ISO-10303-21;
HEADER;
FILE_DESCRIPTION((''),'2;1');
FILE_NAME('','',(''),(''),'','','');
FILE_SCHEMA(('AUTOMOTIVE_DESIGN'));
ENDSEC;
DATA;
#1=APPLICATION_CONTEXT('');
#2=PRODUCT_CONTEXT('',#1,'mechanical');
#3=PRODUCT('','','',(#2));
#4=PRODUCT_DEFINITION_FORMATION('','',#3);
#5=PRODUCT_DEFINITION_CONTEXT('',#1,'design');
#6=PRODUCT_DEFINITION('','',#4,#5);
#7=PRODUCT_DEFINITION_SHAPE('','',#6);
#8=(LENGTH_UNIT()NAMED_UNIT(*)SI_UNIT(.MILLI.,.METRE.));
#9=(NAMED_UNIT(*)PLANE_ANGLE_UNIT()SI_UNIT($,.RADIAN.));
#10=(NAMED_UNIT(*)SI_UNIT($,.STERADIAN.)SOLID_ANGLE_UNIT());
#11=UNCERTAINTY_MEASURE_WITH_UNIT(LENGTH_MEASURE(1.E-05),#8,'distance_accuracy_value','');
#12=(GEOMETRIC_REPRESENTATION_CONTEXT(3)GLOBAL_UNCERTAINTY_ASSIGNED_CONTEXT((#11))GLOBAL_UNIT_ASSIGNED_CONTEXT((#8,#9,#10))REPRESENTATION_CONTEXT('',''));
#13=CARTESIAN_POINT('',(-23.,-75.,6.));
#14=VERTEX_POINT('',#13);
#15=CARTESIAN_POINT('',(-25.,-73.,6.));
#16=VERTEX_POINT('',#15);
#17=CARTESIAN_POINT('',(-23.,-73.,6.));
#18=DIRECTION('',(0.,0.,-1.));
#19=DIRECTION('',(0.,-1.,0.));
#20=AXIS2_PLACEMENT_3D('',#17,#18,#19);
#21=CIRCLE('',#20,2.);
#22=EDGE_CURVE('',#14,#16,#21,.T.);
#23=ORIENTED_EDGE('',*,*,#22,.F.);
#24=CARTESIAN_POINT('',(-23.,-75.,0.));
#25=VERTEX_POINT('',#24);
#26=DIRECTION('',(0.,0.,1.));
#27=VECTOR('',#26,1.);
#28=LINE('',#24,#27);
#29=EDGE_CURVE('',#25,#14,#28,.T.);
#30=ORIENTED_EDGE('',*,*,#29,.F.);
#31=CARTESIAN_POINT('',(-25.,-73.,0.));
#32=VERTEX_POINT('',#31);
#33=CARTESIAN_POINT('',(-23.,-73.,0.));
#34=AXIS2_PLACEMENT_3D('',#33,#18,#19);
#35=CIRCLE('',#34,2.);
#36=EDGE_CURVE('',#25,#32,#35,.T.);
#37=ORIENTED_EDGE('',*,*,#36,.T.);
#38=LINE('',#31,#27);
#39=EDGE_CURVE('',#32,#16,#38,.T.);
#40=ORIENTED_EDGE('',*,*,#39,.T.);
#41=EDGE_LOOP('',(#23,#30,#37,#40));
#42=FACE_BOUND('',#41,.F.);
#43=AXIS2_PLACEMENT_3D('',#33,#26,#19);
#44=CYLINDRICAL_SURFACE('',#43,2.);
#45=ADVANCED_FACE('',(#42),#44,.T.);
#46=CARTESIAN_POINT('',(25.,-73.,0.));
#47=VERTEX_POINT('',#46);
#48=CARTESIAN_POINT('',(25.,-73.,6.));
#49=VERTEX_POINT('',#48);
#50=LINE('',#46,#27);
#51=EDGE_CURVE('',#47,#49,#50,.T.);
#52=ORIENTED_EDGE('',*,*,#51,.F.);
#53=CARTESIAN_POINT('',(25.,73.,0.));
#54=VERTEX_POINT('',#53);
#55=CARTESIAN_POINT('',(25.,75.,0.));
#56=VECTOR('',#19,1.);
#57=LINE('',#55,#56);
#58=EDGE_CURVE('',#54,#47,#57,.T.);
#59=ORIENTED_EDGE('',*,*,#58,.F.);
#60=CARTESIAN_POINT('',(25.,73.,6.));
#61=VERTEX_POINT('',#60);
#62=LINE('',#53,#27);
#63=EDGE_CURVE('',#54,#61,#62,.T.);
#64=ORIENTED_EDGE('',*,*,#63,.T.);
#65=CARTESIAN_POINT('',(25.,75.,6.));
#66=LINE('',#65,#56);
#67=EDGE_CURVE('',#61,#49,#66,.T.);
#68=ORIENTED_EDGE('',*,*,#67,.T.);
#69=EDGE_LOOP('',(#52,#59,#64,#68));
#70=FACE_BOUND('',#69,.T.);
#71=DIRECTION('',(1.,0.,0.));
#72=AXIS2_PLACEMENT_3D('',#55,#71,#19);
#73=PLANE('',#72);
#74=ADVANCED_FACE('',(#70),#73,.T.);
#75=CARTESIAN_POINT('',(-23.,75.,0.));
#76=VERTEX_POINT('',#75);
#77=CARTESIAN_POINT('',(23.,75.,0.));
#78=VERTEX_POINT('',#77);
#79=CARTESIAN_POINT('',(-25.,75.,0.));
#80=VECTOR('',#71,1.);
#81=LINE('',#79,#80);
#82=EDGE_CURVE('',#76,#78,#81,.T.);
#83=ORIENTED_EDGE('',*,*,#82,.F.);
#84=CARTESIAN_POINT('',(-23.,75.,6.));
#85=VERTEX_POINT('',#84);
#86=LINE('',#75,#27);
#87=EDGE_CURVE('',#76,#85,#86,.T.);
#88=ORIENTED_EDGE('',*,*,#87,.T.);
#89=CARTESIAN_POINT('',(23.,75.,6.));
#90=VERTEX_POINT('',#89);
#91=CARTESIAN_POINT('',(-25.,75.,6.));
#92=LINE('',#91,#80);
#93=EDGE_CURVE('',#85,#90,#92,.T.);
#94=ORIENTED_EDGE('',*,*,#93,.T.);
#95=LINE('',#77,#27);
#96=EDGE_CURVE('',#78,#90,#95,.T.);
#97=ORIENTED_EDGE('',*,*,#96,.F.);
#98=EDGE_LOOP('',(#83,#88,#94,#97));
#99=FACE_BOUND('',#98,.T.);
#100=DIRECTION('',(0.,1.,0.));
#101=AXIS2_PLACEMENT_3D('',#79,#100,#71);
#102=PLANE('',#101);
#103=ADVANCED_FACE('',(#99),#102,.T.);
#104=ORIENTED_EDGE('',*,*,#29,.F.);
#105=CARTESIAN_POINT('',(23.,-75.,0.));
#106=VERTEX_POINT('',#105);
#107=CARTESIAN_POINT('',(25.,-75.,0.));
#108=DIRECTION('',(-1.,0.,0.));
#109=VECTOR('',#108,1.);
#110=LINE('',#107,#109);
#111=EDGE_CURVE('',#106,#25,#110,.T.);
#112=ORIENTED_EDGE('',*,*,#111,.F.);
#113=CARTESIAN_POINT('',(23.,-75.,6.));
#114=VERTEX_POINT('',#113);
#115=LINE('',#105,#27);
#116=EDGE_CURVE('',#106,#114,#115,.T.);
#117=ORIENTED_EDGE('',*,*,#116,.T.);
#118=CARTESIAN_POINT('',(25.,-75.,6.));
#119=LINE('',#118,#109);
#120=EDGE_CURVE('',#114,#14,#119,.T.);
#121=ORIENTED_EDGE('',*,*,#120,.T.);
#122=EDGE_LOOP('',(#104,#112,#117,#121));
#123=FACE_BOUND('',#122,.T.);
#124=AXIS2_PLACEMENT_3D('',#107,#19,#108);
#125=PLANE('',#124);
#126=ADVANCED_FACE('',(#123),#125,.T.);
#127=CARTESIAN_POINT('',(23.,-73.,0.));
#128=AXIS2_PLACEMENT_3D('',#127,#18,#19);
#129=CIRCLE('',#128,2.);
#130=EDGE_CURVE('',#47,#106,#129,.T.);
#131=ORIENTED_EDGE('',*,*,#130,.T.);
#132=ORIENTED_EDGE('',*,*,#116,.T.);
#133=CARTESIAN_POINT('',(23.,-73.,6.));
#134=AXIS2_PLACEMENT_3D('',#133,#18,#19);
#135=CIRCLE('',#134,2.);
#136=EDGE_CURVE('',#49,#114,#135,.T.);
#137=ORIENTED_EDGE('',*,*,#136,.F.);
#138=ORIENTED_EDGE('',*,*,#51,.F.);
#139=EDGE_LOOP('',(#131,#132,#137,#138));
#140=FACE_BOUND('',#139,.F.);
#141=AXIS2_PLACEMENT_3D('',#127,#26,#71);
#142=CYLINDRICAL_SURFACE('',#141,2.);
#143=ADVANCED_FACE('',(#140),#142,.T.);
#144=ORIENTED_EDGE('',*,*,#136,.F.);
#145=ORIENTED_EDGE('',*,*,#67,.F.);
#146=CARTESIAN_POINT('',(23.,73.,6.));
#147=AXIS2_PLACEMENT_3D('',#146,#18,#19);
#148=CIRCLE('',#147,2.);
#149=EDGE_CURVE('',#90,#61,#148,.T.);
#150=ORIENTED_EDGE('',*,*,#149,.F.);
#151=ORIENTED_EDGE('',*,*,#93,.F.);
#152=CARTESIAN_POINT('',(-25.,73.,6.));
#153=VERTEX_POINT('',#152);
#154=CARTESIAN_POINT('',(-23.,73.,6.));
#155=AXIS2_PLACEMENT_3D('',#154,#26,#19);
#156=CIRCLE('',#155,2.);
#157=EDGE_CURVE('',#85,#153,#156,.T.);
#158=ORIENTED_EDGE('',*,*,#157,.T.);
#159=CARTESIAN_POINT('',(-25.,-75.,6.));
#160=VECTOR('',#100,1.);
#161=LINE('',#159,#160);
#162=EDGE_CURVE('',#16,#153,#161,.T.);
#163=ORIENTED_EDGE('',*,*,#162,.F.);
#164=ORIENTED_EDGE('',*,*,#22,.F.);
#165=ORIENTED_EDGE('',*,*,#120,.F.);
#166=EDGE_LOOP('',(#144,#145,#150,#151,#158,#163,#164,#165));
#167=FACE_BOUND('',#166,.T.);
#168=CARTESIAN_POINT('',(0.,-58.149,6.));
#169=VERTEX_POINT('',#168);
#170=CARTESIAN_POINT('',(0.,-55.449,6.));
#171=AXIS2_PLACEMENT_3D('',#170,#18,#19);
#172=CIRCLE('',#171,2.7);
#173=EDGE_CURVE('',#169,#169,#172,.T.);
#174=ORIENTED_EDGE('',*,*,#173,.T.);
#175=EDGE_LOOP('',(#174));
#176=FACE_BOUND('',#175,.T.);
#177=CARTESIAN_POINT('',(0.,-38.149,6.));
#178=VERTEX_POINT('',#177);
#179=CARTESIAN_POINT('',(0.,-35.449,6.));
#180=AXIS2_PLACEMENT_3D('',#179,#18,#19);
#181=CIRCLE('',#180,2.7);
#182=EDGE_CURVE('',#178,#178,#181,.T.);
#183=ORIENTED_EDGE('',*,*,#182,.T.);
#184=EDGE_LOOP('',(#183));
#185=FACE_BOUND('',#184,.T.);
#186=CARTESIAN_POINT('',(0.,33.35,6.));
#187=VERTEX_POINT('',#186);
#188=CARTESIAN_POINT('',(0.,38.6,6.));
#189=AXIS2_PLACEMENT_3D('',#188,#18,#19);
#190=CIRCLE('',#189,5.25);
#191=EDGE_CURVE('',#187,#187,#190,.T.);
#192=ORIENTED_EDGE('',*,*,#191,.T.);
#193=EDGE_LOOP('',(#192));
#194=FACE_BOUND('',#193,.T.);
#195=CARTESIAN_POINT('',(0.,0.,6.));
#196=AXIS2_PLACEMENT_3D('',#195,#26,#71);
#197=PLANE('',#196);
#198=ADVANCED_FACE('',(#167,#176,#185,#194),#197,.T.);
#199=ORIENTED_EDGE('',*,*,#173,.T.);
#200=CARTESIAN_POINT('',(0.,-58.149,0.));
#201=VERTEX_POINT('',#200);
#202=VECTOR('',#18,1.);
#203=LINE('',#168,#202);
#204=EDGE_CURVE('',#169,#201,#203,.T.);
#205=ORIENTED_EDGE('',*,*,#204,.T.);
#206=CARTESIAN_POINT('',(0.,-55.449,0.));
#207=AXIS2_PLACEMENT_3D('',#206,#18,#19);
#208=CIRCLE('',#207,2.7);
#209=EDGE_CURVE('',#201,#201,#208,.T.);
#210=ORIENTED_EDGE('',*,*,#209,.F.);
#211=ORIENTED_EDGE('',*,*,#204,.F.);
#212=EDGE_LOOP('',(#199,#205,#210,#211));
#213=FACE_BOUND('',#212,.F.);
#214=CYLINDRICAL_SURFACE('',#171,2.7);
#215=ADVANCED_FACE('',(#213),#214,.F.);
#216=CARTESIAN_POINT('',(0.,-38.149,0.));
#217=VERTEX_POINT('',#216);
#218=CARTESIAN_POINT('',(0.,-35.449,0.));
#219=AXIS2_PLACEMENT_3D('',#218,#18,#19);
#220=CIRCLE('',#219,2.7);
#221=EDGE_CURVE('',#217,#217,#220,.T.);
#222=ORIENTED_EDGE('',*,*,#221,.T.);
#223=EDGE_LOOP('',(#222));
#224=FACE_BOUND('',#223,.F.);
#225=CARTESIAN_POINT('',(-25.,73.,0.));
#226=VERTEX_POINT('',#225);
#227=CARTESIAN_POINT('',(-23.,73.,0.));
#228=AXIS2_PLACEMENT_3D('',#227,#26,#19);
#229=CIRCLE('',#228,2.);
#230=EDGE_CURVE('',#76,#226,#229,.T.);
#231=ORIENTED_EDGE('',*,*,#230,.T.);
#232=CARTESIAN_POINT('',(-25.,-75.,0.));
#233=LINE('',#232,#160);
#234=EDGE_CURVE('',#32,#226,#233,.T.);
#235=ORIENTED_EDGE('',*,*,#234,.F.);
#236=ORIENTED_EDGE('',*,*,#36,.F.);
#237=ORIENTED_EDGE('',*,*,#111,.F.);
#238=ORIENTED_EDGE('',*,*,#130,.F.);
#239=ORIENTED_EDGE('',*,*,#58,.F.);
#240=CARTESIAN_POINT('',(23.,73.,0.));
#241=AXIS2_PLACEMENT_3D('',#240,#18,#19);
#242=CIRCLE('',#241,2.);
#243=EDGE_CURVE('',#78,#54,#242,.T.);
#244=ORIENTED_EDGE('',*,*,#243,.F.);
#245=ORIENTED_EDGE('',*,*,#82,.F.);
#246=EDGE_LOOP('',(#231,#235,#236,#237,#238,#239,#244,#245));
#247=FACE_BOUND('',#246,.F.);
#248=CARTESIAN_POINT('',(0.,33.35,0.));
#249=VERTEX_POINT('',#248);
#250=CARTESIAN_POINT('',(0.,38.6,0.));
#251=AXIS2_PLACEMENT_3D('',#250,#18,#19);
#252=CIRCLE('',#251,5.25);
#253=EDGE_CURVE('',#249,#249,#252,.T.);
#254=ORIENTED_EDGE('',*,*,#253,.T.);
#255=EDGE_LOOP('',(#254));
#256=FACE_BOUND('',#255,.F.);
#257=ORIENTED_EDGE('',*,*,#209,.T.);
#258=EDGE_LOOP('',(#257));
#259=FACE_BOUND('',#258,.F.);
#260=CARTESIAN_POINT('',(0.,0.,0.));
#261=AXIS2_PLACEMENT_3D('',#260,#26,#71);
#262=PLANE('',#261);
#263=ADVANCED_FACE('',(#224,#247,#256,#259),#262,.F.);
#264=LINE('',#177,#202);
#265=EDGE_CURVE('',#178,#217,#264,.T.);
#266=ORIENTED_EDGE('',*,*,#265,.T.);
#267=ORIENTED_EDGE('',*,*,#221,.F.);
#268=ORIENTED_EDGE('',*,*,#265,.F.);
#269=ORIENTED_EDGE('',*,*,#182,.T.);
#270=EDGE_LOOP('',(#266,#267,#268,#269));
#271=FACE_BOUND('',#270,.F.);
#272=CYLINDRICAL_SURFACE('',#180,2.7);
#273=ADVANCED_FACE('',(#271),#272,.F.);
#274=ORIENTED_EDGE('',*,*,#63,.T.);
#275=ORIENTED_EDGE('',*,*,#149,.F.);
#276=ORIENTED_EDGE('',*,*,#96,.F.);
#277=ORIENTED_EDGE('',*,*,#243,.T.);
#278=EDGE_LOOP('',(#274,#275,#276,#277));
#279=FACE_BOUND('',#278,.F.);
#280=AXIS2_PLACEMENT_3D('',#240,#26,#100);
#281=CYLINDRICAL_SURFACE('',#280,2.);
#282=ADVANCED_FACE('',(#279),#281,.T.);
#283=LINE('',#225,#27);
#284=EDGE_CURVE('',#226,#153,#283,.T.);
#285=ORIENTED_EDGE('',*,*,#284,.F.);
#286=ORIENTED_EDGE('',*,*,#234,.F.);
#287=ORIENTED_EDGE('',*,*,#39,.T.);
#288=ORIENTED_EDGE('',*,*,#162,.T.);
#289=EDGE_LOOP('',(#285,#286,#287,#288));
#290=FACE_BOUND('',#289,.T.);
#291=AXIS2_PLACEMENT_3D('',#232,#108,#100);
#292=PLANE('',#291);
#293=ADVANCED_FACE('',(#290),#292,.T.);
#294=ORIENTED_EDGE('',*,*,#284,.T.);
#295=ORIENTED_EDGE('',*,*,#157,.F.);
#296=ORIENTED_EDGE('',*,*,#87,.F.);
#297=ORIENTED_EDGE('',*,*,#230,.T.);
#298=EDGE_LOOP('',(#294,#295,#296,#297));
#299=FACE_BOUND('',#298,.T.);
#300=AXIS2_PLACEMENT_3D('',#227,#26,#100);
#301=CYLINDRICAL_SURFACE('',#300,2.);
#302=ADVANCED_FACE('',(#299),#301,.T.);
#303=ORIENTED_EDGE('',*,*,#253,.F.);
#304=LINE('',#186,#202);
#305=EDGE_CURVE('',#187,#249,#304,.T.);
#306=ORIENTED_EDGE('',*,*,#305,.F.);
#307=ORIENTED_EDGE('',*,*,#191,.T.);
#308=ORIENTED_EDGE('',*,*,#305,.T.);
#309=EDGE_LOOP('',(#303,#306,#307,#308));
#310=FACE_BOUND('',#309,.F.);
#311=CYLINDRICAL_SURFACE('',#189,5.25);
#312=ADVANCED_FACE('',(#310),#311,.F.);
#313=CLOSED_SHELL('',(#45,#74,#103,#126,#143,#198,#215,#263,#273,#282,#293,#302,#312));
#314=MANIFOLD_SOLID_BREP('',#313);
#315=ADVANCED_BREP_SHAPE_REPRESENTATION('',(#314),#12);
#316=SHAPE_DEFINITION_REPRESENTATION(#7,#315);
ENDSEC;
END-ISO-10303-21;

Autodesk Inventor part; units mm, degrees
ref_plane "YZ Plane" through (0, 0, 0) normal (1, 0, 0) x (0, 1, 0)
ref_plane "XZ Plane" through (0, 0, 0) normal (0, 1, 0) x (-1, 0, 0)
ref_plane "XY Plane" through (0, 0, 0) normal (0, 0, 1) x (1, 0, 0)
sketch "Sketch2" plane through (0, 0, 0) normal (0, 0, 1) x (1, 0, 0)
  line L0 (-25, 75) -> (25, 75)
  line L1 (25, 75) -> (25, -75)
  line L2 (25, -75) -> (-25, -75)
  line L3 (-25, -75) -> (-25, 75)
  line L4 (-25, 75) -> (25, -75) construction
  line L5 (25, 75) -> (-25, -75) construction
  point P0 (0, 0)
  dimension "d0" = 50
  dimension "d1" = 150
extrude "Extrusion1" add sketch "Sketch2" along normal blind 6
fillet "Fillet1" radius 2 4 edges at (25, 75, 3) (-25, 75, 3) (25, -75, 3) (-25, -75, 3)
sketch "Sketch3" plane through (0, 0, 6) normal (0, 0, 1) x (1, 0, 0)
  line L0 (23, 75) -> (-23, 75) projected
  point P0 (0, 0)
  point P1 (0, 38.6)
  point P2 (0, 75)
  dimension "d5" = 36.4
hole "Hole1" at (0, 38.6, 6) direction (0, 0, -1) diameter 10.5 end through all
sketch "Sketch4" plane through (0, 0, 6) normal (0, 0, 1) x (1, 0, 0)
  line L0 (-23, -75) -> (23, -75) projected
  point P0 (0, 0)
  point P1 (0, -55.449)
  point P2 (0, -35.449)
  dimension "d13" = 20
  dimension "d14" = 39.551
hole "Hole2" at (0, -55.449, 6) at (0, -35.449, 6) direction (0, 0, -1) diameter 5.4 end through all
properties part number "Columna"
